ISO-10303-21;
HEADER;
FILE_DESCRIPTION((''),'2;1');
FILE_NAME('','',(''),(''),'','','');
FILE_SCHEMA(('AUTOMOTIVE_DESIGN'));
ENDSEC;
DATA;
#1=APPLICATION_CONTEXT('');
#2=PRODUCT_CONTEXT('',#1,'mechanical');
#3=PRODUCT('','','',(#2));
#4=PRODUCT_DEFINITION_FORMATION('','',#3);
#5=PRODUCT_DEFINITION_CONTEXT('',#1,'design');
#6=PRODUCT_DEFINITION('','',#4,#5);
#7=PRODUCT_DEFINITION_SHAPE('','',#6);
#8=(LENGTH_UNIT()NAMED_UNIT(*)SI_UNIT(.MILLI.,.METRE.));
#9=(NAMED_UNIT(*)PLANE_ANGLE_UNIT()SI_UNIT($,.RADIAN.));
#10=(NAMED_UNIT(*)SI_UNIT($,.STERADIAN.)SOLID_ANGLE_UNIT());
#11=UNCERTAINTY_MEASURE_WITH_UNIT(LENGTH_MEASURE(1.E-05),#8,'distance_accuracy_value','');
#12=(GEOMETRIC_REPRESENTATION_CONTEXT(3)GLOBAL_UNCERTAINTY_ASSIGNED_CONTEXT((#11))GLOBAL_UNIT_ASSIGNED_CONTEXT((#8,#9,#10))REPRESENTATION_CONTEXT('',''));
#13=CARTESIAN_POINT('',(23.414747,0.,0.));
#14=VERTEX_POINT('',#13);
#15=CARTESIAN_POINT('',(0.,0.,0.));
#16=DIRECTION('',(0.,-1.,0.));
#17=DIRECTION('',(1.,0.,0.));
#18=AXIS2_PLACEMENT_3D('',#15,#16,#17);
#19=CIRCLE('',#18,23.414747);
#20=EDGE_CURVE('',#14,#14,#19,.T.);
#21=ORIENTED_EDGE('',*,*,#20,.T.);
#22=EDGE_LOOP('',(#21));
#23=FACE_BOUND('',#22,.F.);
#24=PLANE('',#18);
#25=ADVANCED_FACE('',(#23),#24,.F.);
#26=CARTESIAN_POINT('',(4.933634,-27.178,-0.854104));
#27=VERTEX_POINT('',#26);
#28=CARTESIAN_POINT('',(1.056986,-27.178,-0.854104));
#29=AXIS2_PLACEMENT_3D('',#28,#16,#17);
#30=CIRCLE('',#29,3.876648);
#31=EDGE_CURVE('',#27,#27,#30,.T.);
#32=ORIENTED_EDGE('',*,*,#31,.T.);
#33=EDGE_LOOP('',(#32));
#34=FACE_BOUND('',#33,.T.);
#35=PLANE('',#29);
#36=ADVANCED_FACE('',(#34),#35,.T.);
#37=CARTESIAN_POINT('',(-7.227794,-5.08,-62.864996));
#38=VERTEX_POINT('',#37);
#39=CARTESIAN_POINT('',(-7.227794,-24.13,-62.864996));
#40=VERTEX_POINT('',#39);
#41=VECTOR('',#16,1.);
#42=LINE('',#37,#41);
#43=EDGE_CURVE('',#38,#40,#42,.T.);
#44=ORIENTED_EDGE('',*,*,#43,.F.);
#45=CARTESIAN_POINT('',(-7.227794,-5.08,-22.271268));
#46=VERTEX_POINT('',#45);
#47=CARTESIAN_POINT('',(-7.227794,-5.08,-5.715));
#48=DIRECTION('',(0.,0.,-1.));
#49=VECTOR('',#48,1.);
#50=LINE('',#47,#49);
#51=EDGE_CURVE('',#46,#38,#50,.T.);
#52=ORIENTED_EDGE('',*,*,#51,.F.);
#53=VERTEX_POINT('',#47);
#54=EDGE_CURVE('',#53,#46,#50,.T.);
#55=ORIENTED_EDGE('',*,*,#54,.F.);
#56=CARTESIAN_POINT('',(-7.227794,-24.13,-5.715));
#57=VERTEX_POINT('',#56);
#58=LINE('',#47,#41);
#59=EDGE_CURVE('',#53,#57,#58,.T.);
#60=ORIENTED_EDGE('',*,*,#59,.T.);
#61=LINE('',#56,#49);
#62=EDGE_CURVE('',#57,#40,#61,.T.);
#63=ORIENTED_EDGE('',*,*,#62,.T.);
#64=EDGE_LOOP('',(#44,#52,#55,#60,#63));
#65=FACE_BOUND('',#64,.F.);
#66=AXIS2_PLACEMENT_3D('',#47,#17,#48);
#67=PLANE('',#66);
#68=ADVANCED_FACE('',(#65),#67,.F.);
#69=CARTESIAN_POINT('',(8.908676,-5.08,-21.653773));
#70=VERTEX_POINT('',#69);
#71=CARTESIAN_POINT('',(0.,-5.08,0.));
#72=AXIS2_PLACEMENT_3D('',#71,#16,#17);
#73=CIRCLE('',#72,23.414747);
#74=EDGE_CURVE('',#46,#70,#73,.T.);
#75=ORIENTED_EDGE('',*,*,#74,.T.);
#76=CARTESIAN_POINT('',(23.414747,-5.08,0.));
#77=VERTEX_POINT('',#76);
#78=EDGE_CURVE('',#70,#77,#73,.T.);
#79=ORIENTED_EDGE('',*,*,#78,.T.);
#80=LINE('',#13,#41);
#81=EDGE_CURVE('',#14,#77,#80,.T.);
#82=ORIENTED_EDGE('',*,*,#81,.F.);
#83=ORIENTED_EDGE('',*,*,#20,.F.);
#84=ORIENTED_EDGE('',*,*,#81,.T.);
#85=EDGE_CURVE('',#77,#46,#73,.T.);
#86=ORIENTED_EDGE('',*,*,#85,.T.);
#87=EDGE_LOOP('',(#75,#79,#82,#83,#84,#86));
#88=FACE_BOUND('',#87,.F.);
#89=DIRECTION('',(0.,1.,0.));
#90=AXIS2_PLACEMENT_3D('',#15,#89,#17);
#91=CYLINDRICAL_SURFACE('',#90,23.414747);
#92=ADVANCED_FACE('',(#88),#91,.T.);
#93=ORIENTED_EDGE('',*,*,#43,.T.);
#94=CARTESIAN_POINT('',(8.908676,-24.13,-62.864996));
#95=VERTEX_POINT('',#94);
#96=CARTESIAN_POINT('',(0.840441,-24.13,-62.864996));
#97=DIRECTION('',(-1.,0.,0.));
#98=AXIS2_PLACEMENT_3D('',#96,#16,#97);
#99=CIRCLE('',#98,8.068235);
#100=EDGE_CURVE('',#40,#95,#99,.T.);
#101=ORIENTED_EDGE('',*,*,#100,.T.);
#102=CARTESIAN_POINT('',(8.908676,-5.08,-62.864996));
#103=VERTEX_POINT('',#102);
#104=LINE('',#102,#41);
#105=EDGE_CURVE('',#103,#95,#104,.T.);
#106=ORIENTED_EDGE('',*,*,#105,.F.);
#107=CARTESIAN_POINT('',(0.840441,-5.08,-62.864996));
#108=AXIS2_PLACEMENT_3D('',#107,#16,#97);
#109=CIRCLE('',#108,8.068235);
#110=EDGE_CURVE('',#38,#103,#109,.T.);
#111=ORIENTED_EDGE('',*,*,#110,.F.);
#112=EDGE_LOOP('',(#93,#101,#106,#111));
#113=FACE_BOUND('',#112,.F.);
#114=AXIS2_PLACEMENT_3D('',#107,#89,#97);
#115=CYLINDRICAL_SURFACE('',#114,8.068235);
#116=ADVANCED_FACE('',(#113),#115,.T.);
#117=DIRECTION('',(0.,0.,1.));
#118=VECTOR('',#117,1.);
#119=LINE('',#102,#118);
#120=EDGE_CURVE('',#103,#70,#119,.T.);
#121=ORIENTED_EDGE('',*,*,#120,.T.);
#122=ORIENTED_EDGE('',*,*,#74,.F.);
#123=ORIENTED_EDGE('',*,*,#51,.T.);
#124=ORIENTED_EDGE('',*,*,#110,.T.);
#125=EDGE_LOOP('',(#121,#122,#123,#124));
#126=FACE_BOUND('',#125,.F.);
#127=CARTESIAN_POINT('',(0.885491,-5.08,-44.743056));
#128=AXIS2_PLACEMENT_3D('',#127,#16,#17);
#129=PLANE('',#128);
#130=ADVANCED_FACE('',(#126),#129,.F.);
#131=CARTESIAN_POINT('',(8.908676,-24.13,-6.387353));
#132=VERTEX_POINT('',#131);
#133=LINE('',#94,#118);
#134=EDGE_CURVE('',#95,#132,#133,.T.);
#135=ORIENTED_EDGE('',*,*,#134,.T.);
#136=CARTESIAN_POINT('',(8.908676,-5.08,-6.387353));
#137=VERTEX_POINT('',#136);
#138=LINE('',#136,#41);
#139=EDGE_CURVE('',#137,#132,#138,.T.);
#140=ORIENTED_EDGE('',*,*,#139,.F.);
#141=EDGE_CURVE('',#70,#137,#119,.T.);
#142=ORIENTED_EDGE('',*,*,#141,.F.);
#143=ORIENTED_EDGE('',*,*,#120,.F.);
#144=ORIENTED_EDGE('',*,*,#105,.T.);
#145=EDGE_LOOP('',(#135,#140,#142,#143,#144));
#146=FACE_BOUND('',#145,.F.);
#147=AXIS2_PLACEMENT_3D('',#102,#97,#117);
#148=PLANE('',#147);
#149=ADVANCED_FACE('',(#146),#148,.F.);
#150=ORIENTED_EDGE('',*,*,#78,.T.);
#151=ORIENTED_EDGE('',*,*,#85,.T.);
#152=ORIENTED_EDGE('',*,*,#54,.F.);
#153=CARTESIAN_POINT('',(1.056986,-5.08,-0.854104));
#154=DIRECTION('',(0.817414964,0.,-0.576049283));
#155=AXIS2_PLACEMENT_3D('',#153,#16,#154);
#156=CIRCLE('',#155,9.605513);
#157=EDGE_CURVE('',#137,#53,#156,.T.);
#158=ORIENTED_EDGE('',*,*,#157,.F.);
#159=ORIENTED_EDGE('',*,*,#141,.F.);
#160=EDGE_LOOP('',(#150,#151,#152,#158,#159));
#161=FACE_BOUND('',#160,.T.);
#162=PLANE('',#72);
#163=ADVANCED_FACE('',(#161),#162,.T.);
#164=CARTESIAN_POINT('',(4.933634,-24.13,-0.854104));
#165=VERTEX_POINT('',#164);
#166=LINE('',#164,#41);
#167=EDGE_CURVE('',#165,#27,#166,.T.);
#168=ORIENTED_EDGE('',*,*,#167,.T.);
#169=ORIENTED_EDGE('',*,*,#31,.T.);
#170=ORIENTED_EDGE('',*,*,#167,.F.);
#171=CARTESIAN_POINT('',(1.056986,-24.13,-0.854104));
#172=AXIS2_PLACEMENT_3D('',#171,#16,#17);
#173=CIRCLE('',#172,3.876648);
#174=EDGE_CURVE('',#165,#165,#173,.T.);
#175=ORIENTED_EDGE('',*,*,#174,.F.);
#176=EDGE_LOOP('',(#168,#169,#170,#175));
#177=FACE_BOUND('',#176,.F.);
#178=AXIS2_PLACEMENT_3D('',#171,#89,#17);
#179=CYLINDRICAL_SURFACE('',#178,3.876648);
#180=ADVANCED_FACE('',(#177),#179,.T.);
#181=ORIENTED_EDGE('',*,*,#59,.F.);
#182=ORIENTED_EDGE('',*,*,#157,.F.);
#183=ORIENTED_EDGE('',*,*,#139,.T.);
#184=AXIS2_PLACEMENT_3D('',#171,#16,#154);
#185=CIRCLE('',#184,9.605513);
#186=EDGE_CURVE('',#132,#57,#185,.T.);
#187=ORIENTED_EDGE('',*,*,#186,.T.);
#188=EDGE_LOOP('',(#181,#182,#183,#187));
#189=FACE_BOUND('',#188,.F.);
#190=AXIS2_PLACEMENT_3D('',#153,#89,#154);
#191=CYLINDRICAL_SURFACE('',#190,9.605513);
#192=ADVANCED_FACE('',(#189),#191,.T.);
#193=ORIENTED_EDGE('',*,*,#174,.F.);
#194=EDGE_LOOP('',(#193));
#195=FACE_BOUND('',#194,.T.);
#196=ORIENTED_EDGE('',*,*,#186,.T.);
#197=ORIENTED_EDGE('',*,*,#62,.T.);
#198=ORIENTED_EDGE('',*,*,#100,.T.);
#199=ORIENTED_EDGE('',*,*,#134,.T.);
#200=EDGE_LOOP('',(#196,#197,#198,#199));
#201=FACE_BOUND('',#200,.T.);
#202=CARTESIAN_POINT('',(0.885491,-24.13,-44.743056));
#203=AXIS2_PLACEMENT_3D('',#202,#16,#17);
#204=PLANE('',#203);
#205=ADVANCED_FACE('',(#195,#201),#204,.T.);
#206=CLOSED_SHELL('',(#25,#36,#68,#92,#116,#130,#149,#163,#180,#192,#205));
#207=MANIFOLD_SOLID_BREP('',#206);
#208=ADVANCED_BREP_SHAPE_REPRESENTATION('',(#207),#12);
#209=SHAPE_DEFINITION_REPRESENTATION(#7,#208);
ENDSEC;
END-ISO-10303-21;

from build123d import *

# Parameters (mm, degrees)
F0_R     = 23.414747
F1_DEPTH = 5.08
F3_DEPTH = 19.05
F4_R     = 3.876648
F5_DEPTH = 3.048


with BuildPart() as f1:
    # F0 (on Front) → F1 (new body)
    with BuildSketch(Plane.XZ):
        Circle(F0_R)
    extrude(amount=F1_DEPTH)

    # F2 (on face) → F3 (join)
    with BuildSketch(Plane.XZ.offset(5.08)):
        with BuildLine():
            ThreePointArc((8.908676, -21.653772), (0.895358, -23.397622), (-7.227794, -22.271268))
            Line((-7.227794, -22.271268), (-7.227794, -62.864996))
            ThreePointArc((-7.227794, -62.864996), (0.840441, -70.933231), (8.908676, -62.864996))
            Line((8.908676, -62.864996), (8.908676, -21.653772))
        make_face()
        with BuildLine():
            ThreePointArc((8.908676, -6.387353), (1.456869, 8.743082), (-7.227794, -5.715))
            Line((-7.227794, -5.715), (-7.227794, -22.271268))
            ThreePointArc((-7.227794, -22.271268), (0.895358, -23.397622), (8.908676, -21.653772))
            Line((8.908676, -21.653772), (8.908676, -6.387353))
        make_face()
    extrude(amount=F3_DEPTH)

    # F4 (on face) → F5 (join)
    with BuildSketch(Plane.XZ.offset(24.13)):
        with Locations((1.056986, -0.854104)):
            Circle(F4_R)
    extrude(amount=F5_DEPTH)


solid = f1.part
